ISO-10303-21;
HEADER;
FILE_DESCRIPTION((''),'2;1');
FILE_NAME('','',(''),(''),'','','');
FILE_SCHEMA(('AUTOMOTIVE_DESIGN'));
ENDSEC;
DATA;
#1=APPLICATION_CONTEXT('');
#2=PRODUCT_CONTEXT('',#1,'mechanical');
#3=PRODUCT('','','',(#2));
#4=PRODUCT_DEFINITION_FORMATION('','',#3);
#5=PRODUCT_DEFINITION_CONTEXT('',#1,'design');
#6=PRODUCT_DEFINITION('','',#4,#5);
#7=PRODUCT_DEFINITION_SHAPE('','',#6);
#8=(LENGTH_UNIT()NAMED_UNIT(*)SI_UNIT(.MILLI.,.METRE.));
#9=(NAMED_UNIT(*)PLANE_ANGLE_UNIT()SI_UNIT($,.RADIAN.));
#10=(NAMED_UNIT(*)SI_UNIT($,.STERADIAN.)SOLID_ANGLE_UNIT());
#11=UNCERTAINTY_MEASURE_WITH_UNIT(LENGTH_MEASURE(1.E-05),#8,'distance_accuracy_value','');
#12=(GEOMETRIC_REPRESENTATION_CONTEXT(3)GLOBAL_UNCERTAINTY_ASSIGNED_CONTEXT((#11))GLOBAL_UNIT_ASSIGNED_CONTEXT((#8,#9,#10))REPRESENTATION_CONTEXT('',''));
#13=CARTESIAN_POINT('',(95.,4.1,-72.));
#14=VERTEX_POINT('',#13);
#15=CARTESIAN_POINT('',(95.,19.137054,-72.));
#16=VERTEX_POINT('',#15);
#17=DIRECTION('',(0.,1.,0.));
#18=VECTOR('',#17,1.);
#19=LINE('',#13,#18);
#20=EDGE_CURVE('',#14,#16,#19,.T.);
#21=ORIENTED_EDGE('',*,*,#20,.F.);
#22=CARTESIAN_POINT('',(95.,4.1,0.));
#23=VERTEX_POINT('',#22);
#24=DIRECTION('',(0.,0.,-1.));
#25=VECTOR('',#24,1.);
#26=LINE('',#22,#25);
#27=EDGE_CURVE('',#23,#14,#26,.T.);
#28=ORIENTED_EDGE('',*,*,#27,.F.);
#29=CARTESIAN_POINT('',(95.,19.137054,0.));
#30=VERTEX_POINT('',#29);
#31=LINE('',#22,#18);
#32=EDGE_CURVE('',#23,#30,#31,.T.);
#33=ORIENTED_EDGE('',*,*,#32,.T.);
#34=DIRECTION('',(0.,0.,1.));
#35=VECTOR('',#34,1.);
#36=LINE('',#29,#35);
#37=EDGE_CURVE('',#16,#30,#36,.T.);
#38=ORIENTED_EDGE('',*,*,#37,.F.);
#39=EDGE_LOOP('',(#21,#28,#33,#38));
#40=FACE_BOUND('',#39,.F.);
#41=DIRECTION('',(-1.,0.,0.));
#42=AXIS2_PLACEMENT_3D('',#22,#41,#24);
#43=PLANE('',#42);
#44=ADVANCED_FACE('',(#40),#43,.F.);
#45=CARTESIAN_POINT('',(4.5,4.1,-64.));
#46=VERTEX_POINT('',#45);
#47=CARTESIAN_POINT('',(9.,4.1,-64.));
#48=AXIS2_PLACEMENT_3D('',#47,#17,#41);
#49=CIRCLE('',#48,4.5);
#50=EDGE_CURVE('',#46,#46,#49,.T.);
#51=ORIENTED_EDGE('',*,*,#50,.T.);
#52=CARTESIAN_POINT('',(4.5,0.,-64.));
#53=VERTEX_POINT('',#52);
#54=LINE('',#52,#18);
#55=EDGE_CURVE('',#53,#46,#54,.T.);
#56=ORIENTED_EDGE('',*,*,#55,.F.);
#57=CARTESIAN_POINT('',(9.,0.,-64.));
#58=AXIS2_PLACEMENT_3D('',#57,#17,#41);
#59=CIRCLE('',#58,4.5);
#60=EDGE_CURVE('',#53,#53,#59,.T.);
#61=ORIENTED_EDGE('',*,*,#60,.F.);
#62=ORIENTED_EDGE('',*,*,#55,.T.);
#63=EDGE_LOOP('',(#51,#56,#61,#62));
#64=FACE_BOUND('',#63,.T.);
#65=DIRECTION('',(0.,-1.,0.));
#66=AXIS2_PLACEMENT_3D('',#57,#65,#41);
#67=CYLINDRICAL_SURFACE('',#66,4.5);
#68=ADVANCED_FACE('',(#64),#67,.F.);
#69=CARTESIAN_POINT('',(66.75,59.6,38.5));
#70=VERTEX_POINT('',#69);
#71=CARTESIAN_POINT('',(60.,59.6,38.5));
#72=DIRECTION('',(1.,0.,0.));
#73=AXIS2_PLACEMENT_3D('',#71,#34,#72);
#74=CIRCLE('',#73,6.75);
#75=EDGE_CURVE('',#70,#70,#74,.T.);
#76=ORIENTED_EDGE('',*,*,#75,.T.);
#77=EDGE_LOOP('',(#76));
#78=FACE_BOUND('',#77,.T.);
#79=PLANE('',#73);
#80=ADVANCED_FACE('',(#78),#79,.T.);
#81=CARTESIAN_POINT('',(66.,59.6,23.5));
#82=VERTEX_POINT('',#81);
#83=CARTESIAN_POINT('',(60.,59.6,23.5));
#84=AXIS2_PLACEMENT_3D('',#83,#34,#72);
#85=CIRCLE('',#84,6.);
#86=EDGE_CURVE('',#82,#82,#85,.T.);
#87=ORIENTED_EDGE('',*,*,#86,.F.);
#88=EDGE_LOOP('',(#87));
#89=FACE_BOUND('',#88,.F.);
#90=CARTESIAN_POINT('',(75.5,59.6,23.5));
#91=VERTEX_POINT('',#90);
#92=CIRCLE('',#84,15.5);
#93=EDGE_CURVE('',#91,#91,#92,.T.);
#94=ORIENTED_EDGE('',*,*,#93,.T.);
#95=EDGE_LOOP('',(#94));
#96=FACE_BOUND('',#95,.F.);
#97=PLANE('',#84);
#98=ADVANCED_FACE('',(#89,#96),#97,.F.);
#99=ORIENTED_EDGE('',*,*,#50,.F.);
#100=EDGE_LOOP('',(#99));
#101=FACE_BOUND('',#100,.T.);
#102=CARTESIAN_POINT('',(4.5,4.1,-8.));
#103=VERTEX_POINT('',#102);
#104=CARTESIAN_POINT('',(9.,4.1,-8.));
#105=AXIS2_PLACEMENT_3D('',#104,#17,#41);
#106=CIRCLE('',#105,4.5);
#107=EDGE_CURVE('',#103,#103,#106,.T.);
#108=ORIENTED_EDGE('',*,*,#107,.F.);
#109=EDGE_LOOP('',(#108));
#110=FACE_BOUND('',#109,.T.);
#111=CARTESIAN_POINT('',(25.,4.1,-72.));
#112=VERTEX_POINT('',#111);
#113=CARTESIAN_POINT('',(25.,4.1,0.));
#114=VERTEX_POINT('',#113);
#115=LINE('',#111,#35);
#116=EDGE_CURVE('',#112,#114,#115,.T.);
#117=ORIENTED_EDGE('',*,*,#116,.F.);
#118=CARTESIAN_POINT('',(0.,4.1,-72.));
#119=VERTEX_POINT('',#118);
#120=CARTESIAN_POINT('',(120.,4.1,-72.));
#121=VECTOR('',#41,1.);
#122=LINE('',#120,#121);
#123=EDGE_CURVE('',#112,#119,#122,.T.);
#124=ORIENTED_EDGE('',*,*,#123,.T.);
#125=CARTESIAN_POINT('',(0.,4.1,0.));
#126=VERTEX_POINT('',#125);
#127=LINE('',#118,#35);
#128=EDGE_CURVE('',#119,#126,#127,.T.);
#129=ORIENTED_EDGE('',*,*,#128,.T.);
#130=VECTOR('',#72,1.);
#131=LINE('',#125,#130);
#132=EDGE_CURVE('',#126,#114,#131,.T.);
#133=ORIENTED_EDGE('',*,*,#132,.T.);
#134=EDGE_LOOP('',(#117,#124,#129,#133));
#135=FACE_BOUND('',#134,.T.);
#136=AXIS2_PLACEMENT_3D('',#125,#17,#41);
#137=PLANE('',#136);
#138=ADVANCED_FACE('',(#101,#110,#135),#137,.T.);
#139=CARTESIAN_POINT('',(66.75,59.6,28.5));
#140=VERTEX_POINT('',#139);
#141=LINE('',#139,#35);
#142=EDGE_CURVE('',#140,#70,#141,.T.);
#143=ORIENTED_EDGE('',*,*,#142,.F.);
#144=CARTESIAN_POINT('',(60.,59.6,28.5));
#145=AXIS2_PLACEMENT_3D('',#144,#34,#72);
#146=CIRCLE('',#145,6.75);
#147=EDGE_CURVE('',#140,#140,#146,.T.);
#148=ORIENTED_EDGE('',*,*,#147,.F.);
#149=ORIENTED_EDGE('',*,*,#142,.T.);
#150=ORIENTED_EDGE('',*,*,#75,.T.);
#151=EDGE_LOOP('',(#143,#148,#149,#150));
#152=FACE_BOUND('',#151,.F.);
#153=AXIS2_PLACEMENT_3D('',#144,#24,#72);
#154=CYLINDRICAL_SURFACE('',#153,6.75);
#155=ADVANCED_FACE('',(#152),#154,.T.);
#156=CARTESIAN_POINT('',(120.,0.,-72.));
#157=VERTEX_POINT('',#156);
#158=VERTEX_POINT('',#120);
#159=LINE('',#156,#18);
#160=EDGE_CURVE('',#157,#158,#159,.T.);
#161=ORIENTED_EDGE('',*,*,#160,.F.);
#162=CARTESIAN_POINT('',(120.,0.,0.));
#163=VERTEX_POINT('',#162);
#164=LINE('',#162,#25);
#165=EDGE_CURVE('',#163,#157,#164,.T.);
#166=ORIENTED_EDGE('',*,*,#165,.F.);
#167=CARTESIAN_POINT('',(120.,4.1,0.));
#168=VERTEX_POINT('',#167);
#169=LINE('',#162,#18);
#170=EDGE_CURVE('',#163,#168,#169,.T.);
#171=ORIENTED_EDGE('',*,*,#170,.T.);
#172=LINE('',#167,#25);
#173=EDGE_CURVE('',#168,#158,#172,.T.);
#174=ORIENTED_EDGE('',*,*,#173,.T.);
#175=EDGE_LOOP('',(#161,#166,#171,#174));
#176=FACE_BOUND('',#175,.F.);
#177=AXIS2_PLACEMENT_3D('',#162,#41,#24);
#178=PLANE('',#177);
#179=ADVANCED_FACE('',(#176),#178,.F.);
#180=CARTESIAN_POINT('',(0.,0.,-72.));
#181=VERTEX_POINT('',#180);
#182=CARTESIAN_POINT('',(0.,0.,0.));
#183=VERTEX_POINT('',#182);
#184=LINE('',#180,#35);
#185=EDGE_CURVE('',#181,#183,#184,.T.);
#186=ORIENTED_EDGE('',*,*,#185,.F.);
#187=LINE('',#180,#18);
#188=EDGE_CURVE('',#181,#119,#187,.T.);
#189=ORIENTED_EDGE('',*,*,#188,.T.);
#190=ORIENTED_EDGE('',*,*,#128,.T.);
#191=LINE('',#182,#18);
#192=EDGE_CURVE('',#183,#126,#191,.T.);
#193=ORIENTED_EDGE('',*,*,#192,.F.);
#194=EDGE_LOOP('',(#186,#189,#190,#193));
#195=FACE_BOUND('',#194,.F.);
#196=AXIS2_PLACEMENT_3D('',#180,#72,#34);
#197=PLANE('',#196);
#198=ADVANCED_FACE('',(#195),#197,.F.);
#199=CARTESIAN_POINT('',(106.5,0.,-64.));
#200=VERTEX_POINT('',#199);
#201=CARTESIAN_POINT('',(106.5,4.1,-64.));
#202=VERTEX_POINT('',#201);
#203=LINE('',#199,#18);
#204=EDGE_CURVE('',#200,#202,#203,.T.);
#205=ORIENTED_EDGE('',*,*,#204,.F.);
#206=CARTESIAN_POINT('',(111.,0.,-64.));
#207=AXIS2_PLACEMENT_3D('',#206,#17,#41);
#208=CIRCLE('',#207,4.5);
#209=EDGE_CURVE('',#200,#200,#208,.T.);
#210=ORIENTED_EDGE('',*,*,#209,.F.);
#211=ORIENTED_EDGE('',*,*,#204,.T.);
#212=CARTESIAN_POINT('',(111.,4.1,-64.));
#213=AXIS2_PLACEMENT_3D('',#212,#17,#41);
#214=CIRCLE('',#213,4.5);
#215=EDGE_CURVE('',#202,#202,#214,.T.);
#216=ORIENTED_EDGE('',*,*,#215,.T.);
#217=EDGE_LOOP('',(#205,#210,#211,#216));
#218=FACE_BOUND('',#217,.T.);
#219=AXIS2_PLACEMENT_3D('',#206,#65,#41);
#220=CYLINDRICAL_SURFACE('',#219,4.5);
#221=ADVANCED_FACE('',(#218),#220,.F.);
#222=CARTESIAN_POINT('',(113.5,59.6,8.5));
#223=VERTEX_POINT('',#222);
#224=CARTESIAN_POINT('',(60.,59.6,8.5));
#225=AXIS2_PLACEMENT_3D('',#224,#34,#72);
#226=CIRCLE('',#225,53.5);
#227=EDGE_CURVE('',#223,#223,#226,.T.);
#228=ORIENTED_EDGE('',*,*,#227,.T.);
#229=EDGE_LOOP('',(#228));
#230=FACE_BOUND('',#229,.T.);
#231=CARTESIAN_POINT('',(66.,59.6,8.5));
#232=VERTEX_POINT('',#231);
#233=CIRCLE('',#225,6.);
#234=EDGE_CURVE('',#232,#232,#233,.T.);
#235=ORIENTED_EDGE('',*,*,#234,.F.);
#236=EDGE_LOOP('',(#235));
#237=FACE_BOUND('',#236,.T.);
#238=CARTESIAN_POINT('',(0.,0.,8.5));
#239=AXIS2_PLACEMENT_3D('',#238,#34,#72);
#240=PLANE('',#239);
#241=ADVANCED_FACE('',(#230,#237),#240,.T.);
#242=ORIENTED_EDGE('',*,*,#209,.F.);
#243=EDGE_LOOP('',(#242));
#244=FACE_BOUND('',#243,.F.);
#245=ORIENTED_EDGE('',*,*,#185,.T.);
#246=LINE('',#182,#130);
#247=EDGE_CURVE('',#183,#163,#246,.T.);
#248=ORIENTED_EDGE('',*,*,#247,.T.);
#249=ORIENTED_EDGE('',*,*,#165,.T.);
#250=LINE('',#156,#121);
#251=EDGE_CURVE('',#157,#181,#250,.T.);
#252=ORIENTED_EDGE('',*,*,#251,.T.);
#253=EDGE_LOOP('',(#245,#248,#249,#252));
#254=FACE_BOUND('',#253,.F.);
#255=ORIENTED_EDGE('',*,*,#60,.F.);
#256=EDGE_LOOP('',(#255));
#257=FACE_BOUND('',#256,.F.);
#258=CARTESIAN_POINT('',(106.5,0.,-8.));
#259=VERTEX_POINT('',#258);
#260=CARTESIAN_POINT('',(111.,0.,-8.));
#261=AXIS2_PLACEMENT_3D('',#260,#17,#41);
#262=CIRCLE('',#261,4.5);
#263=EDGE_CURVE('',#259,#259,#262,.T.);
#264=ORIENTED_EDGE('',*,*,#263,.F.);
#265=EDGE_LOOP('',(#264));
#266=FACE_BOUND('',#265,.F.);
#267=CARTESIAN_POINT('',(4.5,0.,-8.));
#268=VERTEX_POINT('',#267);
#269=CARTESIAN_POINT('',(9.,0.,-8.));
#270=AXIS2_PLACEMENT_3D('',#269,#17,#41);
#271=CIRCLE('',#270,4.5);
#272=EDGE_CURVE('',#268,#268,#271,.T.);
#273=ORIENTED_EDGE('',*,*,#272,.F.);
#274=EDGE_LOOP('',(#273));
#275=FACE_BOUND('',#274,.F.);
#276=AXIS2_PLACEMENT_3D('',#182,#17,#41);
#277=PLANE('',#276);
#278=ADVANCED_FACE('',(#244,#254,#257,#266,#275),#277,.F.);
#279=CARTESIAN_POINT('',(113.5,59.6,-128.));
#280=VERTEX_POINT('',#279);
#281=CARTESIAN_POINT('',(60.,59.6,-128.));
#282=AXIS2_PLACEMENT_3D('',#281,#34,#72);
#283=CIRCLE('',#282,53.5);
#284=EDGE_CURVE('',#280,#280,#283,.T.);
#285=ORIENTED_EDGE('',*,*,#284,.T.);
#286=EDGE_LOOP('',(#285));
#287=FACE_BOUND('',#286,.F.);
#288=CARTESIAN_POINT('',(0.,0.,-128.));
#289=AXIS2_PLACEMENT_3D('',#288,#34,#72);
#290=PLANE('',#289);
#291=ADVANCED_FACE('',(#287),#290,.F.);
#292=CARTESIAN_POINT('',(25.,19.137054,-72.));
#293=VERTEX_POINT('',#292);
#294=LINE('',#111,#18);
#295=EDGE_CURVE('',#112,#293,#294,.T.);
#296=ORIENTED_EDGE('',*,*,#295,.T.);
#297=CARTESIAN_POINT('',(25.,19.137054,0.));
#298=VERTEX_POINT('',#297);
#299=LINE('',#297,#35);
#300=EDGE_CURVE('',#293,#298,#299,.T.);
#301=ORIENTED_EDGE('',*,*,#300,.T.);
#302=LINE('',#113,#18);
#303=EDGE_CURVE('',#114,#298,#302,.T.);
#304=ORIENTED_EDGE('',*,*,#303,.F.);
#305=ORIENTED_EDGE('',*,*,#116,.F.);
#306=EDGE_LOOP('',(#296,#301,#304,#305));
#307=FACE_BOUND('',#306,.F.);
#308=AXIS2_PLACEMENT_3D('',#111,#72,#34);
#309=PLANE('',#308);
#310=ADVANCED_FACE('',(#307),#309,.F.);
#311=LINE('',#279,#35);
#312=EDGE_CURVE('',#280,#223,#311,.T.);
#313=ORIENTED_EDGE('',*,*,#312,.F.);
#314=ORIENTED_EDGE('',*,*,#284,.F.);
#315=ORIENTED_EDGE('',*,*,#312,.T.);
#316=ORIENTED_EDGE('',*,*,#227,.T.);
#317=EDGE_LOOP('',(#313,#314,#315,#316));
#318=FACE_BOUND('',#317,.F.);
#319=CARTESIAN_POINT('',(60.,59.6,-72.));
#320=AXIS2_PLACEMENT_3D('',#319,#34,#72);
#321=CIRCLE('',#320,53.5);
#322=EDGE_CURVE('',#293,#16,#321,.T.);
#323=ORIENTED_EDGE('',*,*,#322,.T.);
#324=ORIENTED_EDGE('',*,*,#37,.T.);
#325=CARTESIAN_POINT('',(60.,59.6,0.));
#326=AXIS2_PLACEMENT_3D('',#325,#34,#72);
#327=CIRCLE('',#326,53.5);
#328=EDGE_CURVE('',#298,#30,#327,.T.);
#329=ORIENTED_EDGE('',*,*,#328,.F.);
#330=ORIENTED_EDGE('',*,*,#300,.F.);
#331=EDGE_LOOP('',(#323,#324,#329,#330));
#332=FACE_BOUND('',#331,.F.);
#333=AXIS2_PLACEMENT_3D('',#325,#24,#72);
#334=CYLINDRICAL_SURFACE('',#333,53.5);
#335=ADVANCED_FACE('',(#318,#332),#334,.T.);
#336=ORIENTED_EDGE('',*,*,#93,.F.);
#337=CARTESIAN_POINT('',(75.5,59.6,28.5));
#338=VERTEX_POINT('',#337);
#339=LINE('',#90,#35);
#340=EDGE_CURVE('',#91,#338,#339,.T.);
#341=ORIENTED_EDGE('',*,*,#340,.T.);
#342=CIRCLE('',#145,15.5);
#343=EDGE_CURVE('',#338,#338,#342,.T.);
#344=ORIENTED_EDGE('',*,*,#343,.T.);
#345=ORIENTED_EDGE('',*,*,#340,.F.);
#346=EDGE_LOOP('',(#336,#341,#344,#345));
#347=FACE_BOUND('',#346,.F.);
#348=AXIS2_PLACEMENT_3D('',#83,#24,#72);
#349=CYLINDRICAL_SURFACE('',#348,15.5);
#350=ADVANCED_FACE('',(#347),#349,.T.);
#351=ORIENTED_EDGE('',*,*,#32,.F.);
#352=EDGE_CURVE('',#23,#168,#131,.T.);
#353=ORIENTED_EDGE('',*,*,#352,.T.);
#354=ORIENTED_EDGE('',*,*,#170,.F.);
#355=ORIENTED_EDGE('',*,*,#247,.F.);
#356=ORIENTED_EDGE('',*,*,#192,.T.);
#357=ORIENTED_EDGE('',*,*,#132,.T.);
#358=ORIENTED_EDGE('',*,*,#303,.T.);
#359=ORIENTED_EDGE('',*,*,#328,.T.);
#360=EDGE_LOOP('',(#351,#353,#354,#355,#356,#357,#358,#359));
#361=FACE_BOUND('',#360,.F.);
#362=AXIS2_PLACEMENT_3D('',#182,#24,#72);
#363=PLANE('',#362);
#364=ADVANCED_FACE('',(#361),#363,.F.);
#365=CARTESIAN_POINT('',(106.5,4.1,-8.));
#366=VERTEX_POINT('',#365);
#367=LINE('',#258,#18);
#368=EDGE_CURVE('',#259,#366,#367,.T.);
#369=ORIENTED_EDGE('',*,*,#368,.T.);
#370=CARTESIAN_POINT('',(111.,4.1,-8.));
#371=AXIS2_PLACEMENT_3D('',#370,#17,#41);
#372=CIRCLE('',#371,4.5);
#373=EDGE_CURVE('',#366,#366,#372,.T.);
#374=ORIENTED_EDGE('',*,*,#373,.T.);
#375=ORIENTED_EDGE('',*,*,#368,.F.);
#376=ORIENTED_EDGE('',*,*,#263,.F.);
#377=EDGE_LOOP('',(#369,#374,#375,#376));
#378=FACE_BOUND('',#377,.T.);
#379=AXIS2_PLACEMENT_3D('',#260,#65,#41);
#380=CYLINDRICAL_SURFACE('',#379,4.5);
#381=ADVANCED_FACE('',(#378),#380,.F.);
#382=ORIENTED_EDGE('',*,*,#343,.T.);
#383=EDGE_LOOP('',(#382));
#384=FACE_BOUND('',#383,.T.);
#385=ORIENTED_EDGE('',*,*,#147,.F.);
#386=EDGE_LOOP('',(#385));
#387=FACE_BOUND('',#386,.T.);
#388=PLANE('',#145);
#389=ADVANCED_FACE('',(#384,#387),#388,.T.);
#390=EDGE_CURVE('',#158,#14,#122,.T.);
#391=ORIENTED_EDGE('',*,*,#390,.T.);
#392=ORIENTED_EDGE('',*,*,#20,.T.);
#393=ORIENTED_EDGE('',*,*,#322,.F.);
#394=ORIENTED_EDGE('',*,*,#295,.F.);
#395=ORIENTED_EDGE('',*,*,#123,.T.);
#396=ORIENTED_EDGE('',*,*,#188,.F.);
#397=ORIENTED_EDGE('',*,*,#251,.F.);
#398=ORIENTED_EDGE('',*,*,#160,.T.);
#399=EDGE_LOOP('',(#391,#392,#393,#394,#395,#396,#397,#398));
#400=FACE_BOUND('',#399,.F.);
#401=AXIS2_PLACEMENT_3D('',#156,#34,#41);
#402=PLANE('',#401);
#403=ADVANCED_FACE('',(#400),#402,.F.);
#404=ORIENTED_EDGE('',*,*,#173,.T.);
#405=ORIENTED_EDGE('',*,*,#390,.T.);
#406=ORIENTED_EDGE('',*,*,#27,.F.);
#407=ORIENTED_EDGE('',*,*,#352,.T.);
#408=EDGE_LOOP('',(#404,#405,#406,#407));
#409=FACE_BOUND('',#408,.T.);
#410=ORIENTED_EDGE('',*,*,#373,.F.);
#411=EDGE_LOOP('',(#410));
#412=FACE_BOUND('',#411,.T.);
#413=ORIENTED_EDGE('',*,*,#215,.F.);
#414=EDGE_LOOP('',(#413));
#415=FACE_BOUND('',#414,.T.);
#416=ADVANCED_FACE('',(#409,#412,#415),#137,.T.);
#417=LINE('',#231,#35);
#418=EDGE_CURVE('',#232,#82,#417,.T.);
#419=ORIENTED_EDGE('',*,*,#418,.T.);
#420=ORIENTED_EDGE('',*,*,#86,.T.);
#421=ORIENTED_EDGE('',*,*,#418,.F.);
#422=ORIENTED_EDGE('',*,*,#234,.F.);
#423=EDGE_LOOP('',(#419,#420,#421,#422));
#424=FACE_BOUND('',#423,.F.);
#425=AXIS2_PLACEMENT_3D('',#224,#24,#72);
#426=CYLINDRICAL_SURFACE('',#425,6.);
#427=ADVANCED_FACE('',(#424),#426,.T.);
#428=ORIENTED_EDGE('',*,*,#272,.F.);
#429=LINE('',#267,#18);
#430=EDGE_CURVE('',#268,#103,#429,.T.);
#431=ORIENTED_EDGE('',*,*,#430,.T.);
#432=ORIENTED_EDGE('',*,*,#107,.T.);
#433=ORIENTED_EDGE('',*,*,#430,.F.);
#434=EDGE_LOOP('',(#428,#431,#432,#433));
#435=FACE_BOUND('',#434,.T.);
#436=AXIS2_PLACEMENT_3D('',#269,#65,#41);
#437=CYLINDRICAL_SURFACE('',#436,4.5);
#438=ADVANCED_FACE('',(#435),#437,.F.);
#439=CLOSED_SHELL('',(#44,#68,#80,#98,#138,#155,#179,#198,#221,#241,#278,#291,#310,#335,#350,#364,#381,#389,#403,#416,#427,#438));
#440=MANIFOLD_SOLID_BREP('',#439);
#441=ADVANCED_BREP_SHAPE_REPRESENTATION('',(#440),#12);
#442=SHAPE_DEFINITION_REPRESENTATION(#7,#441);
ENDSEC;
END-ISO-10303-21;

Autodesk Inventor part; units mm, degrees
ref_plane "YZ Plane" through (0, 0, 0) normal (1, 0, 0) x (0, 1, 0)
ref_plane "XZ Plane" through (0, 0, 0) normal (0, 1, 0) x (-1, 0, 0)
ref_plane "XY Plane" through (0, 0, 0) normal (0, 0, 1) x (1, 0, 0)
sketch "Sketch1" plane through (0, 0, 0) normal (0, 1, 0) x (-1, 0, 0)
  line L0 (0, 0) -> (-120, 0)
  line L1 (-120, 0) -> (-120, -72)
  line L2 (-120, -72) -> (0, -72)
  line L3 (0, -72) -> (0, 0)
  circle A0 centre (-9, -8) radius 4.5
  circle A1 centre (-111, -8) radius 4.5
  circle A2 centre (-9, -64) radius 4.5
  circle A3 centre (-111, -64) radius 4.5
  dimension "d0" = 120
  dimension "d1" = 72
  dimension "d2" = 9
  dimension "d3" = 9
  dimension "d4" = 9
  dimension "d5" = 9
extrude "Extrusion1" add sketch "Sketch1" along normal blind 4.1
sketch "Sketch2" plane through (0, 4.1, 0) normal (0, 1, 0) x (1, 0, 0)
  line L0 (0, 0) -> (120, 0) projected
  line L1 (120, 72) -> (0, 72) projected
  line L2 (25, 0) -> (95, 0)
  line L3 (95, 0) -> (95, 72)
  line L4 (95, 72) -> (25, 72)
  line L5 (25, 72) -> (25, 0)
  dimension "d8" = 70
extrude "Extrusion2" add sketch "Sketch2" along normal blind 53.5
sketch "Sketch3" plane through (0, 0, 0) normal (0, 0, 1) x (1, 0, 0)
  circle A0 centre (60, 59.6) radius 53.5
  point P0 (0, 0)
  dimension "d11" = 107
extrude "Extrusion3" add sketch "Sketch3" along normal blind 8.5 and the other way blind 128
sketch "Sketch4" plane through (60, 59.6, 8.5) normal (0, 0, 1) x (1, 0, 0)
  circle A0 centre (0, 0) radius 6
  point P0 (-60, -59.6)
  dimension "d16" = 12
extrude "Extrusion4" add sketch "Sketch4" along normal blind 15
sketch "Sketch5" plane through (60, 59.6, 23.5) normal (0, 0, 1) x (1, 0, 0)
  circle A0 centre (0, 0) radius 15.5
  point P0 (-60, -59.6)
  dimension "d19" = 31
extrude "Extrusion5" add sketch "Sketch5" along normal blind 5
sketch "Sketch6" plane through (60, 59.6, 28.5) normal (0, 0, 1) x (1, 0, 0)
  circle A0 centre (0, 0) radius 6.75
  point P0 (-60, -59.6)
  dimension "d22" = 13.5
extrude "Extrusion6" add sketch "Sketch6" along normal blind 10
properties part number "BLDC BM1109 MOTOR"
